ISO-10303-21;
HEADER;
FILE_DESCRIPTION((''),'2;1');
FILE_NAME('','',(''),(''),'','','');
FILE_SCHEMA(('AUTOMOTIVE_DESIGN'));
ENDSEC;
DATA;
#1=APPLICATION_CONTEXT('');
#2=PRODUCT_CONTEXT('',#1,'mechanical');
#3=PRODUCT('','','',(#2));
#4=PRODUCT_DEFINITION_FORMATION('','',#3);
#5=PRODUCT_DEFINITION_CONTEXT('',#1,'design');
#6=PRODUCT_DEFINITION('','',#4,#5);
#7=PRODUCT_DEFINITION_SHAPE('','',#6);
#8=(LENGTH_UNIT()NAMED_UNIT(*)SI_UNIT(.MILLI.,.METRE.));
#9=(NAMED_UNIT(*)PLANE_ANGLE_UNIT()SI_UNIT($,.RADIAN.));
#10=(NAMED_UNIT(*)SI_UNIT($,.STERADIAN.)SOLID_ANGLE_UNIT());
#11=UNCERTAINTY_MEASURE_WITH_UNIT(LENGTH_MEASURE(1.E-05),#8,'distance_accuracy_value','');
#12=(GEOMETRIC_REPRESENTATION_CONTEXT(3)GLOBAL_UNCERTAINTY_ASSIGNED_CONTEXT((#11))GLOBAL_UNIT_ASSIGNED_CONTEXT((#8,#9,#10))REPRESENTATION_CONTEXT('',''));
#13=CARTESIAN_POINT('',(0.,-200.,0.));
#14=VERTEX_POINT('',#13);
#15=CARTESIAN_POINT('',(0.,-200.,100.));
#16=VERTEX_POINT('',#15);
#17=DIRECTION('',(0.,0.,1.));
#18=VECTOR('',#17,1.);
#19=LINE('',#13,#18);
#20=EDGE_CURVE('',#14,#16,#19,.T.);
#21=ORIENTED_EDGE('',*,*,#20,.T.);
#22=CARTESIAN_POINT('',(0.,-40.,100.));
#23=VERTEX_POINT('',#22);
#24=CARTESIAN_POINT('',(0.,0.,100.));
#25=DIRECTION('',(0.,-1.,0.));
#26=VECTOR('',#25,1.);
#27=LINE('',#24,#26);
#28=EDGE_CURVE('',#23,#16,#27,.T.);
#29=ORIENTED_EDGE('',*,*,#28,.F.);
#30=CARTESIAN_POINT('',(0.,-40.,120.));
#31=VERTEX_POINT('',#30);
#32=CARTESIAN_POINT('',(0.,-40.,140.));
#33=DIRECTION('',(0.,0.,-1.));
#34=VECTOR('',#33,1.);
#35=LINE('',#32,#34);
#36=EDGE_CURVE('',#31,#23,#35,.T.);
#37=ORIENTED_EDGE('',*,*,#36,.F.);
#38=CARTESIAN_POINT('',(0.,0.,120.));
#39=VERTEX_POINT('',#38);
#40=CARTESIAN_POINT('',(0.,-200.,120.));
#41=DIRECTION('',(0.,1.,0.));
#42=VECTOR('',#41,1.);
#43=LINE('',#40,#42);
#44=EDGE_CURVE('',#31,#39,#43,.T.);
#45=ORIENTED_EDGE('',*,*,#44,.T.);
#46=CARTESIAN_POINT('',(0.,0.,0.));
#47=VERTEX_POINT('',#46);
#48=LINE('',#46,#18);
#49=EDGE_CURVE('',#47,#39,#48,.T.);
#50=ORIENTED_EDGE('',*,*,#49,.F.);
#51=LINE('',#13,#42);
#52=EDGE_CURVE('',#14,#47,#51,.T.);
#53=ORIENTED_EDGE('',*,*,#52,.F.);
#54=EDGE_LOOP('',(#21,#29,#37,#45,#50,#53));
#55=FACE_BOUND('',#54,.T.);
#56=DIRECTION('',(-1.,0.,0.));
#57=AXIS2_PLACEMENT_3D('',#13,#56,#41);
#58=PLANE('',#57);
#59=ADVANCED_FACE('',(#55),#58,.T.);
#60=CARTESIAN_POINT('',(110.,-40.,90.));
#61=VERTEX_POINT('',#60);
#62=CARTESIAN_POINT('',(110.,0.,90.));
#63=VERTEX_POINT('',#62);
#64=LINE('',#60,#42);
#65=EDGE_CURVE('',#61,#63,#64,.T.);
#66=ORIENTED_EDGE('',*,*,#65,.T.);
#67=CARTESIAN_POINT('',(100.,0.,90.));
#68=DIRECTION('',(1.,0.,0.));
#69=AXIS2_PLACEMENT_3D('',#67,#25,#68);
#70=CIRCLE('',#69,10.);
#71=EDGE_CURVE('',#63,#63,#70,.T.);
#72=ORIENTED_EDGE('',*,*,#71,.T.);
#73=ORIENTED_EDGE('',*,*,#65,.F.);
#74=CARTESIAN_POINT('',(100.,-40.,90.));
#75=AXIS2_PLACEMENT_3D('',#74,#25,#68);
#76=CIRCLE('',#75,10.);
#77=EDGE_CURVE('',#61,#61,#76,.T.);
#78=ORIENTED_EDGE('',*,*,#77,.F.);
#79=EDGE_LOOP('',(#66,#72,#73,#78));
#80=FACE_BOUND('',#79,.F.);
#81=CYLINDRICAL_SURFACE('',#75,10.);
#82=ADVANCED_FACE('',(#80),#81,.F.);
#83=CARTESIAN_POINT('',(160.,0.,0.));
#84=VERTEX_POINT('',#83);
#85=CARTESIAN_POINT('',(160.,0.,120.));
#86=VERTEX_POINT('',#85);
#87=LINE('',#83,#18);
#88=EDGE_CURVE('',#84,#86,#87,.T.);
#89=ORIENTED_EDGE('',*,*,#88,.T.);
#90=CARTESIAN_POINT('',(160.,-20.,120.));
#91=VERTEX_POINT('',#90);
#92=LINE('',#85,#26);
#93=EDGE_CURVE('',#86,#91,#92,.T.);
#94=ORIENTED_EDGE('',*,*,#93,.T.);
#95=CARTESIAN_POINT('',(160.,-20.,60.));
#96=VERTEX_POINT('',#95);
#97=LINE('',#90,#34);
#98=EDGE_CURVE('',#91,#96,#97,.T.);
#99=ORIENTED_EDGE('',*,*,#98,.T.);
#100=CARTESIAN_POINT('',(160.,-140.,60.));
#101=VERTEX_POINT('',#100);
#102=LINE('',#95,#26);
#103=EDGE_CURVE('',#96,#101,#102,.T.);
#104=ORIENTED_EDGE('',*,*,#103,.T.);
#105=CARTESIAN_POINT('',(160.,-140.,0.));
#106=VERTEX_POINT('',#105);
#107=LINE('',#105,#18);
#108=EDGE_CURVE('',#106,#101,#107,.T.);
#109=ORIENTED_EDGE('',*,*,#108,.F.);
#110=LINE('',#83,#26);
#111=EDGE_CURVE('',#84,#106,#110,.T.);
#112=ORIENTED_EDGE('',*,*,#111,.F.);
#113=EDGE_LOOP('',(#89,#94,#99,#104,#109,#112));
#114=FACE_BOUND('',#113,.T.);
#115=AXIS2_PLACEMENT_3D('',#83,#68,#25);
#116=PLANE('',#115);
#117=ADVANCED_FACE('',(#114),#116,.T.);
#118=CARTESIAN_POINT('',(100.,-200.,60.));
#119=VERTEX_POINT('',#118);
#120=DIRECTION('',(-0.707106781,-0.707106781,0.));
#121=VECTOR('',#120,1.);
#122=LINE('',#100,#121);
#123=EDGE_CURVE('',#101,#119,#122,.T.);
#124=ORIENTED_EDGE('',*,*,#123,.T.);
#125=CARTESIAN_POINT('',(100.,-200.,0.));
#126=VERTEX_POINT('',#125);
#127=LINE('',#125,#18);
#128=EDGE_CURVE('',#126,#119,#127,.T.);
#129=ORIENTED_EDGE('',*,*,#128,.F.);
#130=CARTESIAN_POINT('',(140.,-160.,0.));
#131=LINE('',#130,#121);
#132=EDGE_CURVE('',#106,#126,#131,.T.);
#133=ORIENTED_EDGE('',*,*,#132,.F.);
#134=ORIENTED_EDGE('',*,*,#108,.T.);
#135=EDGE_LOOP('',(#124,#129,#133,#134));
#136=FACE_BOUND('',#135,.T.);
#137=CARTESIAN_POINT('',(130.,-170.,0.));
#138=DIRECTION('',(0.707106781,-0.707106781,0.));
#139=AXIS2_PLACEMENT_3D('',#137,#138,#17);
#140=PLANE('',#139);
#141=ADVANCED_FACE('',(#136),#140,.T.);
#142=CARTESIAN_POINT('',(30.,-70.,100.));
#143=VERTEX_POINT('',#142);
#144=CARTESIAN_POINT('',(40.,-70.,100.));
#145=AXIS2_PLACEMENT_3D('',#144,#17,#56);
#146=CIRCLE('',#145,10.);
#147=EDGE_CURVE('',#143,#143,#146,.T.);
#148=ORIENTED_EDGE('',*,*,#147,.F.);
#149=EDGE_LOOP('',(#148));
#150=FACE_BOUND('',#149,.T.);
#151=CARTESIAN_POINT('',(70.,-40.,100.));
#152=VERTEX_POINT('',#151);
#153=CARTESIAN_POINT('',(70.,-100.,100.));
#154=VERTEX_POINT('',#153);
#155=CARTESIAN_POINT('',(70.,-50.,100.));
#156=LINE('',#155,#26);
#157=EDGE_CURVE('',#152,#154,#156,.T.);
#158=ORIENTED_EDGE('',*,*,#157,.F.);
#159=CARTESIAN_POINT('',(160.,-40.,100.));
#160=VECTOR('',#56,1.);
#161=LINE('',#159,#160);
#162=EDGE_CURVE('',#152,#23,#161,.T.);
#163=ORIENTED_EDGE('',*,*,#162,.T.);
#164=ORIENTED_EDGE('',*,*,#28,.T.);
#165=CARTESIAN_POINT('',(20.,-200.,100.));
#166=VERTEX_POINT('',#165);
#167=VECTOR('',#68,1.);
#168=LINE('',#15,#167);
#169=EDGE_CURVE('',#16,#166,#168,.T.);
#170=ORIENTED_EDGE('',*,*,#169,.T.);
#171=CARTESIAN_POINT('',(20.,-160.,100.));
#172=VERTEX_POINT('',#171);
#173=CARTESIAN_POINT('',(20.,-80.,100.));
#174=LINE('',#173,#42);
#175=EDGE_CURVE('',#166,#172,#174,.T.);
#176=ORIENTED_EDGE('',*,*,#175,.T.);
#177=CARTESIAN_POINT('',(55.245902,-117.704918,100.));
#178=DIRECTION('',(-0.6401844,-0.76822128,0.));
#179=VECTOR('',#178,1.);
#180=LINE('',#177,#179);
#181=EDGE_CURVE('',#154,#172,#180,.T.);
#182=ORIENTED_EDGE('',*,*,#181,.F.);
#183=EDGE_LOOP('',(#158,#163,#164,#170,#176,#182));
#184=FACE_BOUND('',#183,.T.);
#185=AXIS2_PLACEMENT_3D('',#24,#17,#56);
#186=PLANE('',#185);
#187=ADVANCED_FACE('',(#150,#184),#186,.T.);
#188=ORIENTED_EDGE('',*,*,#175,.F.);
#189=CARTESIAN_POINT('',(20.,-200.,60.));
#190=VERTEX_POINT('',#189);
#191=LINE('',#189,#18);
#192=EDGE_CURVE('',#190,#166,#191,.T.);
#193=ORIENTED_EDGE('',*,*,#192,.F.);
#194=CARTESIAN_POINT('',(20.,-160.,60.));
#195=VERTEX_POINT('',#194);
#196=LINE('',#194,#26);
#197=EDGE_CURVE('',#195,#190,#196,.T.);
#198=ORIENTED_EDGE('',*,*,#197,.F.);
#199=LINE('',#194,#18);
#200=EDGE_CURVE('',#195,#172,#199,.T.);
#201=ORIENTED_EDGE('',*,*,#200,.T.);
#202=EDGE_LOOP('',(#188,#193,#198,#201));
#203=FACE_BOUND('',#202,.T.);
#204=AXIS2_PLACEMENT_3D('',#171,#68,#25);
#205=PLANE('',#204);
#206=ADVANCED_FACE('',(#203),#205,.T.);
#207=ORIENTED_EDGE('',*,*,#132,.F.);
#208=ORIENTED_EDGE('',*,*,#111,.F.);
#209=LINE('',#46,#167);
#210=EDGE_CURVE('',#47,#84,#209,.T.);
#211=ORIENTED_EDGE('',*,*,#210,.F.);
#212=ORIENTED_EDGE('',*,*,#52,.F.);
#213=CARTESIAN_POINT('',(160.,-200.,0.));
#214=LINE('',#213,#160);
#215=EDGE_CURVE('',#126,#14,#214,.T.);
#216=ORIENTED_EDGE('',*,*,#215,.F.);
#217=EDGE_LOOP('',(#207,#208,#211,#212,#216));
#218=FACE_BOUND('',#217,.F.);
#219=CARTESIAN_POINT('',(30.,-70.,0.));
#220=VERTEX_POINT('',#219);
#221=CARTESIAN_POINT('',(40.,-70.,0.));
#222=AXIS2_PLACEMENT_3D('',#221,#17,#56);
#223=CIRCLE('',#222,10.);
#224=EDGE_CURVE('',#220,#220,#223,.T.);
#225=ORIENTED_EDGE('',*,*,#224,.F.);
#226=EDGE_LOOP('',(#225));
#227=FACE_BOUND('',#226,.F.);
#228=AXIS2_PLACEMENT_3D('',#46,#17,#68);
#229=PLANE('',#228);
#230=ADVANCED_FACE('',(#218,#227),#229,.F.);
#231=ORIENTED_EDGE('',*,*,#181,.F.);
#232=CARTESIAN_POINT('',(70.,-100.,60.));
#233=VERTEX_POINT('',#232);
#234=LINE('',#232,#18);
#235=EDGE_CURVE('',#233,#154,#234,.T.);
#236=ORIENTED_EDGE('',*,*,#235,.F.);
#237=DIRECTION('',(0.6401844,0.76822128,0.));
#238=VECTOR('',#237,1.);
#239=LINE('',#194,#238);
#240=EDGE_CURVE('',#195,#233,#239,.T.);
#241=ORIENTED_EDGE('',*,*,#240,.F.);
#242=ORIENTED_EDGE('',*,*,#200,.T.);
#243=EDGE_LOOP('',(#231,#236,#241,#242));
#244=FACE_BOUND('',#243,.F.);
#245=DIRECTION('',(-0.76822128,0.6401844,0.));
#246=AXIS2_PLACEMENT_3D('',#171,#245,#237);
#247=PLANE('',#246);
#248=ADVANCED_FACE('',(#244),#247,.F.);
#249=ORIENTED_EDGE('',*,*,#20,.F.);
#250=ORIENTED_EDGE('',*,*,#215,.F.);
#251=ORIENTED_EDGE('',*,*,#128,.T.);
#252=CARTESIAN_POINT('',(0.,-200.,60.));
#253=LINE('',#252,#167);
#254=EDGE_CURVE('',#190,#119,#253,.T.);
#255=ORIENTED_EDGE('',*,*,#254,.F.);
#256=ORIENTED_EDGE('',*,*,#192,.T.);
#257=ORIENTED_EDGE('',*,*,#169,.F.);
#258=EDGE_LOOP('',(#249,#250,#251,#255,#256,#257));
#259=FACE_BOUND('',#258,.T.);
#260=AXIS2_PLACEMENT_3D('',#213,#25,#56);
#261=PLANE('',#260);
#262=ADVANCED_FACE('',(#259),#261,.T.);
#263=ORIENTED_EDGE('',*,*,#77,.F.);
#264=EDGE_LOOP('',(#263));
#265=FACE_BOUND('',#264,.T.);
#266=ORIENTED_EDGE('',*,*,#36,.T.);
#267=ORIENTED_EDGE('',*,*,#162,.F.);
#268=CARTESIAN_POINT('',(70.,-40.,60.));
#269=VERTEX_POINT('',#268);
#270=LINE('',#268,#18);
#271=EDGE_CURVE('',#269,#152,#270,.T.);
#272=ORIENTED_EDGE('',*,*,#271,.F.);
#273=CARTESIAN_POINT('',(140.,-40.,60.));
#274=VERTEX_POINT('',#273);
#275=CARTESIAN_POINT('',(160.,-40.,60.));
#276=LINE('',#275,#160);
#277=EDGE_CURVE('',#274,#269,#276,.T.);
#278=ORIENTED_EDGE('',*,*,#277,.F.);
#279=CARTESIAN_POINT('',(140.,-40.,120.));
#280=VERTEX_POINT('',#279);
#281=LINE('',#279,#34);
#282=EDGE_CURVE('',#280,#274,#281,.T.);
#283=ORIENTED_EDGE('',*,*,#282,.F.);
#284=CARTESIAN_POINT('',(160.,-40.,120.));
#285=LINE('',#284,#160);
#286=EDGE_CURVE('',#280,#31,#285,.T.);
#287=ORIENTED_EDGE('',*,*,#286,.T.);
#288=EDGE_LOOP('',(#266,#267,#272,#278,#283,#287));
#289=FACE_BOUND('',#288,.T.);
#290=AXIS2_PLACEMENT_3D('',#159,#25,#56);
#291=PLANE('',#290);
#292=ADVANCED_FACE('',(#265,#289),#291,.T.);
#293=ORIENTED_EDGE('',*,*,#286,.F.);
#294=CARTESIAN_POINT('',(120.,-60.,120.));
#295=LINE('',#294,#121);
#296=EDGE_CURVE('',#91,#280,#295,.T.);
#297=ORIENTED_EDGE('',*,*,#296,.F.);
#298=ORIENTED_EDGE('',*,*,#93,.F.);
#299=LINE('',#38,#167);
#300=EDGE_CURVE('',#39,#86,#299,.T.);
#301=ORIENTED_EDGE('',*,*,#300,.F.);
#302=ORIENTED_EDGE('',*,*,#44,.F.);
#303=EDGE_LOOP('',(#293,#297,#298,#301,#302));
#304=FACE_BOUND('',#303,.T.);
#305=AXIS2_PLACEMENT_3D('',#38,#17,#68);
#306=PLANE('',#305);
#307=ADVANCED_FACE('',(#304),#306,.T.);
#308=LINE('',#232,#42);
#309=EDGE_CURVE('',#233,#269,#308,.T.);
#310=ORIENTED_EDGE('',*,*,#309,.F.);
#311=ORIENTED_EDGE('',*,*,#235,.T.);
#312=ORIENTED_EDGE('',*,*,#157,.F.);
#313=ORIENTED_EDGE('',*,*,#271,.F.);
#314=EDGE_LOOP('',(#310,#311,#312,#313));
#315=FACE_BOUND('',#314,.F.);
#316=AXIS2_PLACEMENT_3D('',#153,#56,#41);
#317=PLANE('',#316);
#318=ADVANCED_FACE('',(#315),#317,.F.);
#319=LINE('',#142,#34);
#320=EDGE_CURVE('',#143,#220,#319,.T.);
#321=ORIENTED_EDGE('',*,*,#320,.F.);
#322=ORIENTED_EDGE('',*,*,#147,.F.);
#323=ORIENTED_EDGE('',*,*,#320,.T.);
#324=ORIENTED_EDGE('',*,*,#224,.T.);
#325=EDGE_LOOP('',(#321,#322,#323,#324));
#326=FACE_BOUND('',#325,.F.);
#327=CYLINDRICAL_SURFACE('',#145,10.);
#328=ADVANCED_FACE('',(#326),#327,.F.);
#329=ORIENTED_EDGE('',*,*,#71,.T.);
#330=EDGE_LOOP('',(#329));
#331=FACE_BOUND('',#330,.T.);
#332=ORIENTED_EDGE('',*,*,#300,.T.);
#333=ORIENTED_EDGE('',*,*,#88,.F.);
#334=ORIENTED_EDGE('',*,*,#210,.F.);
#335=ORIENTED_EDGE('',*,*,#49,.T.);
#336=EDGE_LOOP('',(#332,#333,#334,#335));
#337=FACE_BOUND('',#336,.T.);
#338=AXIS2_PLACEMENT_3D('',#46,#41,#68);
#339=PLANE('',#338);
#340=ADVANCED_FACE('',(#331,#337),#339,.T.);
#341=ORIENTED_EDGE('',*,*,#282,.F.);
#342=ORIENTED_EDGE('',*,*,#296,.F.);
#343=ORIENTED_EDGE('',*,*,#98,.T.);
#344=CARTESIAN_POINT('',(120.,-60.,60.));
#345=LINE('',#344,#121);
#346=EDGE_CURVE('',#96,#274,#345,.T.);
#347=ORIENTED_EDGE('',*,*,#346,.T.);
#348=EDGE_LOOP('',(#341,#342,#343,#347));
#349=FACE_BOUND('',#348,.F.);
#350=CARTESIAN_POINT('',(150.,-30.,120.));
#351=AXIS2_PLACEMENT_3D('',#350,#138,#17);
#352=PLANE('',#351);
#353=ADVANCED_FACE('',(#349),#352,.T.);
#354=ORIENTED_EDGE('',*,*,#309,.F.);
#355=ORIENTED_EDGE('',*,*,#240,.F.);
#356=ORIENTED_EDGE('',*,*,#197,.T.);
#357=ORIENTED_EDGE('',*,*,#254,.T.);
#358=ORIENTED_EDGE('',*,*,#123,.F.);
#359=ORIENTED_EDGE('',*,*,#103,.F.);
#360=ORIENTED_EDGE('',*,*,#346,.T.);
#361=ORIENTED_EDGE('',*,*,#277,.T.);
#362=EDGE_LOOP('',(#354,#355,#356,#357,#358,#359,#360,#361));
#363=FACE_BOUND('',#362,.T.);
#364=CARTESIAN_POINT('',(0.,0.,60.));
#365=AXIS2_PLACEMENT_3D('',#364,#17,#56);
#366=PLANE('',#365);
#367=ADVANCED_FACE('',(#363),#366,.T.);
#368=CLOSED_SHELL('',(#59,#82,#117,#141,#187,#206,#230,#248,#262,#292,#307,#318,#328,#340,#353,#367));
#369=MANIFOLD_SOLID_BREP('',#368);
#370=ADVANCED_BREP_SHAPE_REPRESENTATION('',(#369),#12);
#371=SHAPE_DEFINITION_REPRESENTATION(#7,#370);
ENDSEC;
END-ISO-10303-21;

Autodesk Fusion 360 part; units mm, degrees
sketch "Sketch1" plane through (0, 0, 0) normal (0, 0, 1) x (1, 0, 0)
  line L0 (0, 0) -> (160, 0)
  line L1 (160, 0) -> (160, -200)
  line L2 (160, -200) -> (0, -200)
  line L3 (0, -200) -> (0, 0)
  dimension "d1" = 160
  dimension "d2" = 200
extrude "Extrude1" add sketch "Sketch1" along normal blind 120
chamfer "Chamfer1" distance 60 angle 45 1 edges at (160, -200, 60)
sketch "Sketch2" plane through (0, 0, 120) normal (0, 0, 1) x (-1, 0, 0)
  line L0 (-100, 200) -> (-160, 140)
  line L1 (-160, 140) -> (-160, 0)
  line L2 (-160, 0) -> (0, 0)
  line L3 (0, 0) -> (0, 200)
  line L4 (0, 200) -> (-100, 200)
  line L5 (0, 200) -> (-160, 200)
  line L6 (-160, 200) -> (-160, 40)
  line L7 (-160, 40) -> (0, 40)
  line L8 (0, 40) -> (0, 200)
extrude "Extrude2" cut sketch "Sketch2" along normal mid plane 40 contours L0 L1 L3 L4 L5 L6 L7 L8
sketch "Sketch3" plane through (0, 0, 100) normal (0, 0, 1) x (-1, 0, 0)
  line L0 (0, 40) -> (0, 200)
  line L1 (0, 200) -> (-100, 200)
  line L2 (-100, 200) -> (-160, 140)
  line L3 (-160, 140) -> (-160, 40)
  line L4 (-160, 40) -> (0, 40)
  line L5 (-20, 200) -> (-140, 200)
  line L6 (-140, 200) -> (-140, 160)
  line L7 (-140, 160) -> (-20, 160)
  line L8 (-20, 160) -> (-20, 200)
  line L9 (-70, 40) -> (-160, 40)
  line L10 (-160, 40) -> (-160, 100)
  line L11 (-160, 100) -> (-70, 100)
  line L12 (-70, 100) -> (-70, 40)
  line L13 (-20, 160) -> (-70, 100)
  line L14 (-140, 160) -> (-160, 140)
  line L15 (-160, 100) -> (-160, 140)
extrude "Extrude3" cut sketch "Sketch3" along normal mid plane 80 contours L3 L4 L9 L10 L11 L12 | L1 L2 L5 L7 L8 | L2 L3 L7 L11 L13 L14 L15
chamfer "Chamfer2" distance 20 angle 45 1 edges at (160, -40, 90)
sketch "Sketch4" plane through (0, 0, 100) normal (0, 0, 1) x (-1, 0, 0)
  line L0 (-20, 200) -> (-20, 160)
  line L1 (-20, 160) -> (-70, 100)
  line L2 (-70, 100) -> (-70, 40)
  line L3 (-70, 40) -> (0, 40)
  line L4 (0, 40) -> (0, 200)
  line L5 (0, 200) -> (-20, 200)
  circle A0 centre (-40, 70) radius 10
  dimension "d11" = 20
extrude "Extrude4" cut sketch "Sketch4" along normal blind 0 and the other way blind 100 contours A0
sketch "Sketch5" plane through (0, -40, 0) normal (0, -1, 0) x (1, 0, 0)
  line L0 (140, 60) -> (140, 120)
  line L1 (140, 120) -> (0, 120)
  line L2 (0, 120) -> (0, 100)
  line L3 (0, 100) -> (70, 100)
  line L4 (70, 100) -> (70, 60)
  line L5 (70, 60) -> (140, 60)
  circle A0 centre (100, 90) radius 10
  dimension "d16" = 20
extrude "Extrude5" cut sketch "Sketch5" along normal blind 0 and the other way blind 40 contours A0
